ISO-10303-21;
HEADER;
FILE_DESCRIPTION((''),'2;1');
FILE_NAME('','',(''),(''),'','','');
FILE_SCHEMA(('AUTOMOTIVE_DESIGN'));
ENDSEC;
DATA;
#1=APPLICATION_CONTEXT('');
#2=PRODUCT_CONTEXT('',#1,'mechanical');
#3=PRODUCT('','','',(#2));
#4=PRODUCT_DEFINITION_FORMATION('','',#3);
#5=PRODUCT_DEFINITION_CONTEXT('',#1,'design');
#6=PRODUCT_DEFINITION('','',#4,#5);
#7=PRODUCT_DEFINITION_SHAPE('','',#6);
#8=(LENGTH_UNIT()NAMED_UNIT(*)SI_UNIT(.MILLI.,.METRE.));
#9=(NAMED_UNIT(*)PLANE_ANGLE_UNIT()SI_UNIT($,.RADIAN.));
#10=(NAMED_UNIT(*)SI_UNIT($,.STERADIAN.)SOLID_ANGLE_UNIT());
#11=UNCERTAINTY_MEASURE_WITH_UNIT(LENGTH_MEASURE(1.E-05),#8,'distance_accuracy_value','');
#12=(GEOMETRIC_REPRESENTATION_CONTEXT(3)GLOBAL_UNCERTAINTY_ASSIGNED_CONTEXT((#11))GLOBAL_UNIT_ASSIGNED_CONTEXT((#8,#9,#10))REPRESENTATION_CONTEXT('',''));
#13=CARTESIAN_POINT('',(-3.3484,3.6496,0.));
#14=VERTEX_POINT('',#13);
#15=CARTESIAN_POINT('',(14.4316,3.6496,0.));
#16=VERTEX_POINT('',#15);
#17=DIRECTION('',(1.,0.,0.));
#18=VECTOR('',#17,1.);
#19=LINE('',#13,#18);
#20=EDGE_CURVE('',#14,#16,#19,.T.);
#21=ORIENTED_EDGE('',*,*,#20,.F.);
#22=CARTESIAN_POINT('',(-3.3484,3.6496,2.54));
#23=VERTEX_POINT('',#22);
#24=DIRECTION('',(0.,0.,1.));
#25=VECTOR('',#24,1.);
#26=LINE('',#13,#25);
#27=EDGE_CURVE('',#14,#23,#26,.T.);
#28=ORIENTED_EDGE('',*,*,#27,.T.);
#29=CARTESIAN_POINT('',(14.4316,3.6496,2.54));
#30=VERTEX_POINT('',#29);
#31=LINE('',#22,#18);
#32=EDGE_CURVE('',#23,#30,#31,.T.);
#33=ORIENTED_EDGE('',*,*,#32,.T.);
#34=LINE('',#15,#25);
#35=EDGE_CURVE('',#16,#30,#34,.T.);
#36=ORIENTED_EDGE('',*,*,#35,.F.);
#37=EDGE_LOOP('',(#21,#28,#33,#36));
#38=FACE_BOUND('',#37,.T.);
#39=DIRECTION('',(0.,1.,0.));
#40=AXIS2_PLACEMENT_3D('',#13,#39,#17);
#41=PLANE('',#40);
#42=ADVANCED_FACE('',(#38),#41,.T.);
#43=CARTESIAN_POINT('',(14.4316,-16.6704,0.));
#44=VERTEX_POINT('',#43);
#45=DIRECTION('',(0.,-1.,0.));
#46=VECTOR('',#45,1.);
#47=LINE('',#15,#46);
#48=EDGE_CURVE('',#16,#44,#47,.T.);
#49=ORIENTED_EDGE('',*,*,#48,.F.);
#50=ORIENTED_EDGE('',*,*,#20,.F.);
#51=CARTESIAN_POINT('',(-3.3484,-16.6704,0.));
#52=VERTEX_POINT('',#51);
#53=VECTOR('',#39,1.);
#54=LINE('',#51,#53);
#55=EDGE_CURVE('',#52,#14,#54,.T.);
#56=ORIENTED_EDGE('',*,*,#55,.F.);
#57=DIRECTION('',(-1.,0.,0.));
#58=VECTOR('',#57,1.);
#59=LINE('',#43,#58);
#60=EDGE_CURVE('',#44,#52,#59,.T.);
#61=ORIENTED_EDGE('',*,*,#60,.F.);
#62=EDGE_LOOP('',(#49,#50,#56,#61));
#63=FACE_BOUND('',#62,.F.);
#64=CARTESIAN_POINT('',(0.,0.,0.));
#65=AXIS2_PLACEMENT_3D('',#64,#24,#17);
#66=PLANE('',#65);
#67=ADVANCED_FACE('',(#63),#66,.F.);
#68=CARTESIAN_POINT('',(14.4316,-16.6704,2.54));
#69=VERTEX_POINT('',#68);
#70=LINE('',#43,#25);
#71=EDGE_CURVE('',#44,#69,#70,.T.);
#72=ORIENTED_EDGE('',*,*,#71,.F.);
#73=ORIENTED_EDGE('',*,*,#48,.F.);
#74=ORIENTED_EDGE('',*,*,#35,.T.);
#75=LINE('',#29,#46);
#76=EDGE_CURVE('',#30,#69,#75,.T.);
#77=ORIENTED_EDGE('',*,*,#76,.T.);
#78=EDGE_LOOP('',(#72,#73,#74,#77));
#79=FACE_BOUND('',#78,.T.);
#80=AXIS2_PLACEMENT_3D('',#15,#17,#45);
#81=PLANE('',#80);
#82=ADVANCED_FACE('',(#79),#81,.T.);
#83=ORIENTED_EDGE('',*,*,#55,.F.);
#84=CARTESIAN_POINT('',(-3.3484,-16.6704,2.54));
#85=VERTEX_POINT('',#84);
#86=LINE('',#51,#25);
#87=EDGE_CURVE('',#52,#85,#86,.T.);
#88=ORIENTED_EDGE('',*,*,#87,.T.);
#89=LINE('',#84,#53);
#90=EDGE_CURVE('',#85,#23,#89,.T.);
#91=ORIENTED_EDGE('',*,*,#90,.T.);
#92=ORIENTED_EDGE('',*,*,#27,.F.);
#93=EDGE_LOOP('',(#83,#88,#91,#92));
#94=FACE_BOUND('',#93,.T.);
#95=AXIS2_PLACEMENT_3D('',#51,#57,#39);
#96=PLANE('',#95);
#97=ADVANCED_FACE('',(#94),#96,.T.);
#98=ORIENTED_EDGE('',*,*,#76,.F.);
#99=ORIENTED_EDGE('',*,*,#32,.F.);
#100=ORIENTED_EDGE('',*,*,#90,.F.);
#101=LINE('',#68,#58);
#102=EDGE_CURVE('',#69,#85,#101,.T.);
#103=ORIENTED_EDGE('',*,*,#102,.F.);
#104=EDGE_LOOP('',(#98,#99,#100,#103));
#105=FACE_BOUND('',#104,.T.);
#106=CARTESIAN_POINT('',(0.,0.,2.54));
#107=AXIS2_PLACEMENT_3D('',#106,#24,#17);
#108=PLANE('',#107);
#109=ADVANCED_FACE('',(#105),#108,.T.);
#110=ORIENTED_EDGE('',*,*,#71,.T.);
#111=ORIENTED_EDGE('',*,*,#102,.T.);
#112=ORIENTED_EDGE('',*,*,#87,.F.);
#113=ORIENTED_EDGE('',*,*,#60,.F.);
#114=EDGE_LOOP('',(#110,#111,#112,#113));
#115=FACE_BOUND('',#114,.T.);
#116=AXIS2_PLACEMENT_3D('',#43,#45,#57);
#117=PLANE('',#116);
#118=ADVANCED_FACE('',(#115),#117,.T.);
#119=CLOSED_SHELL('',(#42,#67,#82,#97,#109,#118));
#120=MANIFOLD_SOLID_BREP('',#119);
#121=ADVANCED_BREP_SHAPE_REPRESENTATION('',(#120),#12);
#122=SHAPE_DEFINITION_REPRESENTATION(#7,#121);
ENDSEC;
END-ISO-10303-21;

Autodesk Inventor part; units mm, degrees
ref_plane "YZ Plane" through (0, 0, 0) normal (1, 0, 0) x (0, 1, 0)
ref_plane "XZ Plane" through (0, 0, 0) normal (0, 1, 0) x (-1, 0, 0)
ref_plane "XY Plane" through (0, 0, 0) normal (0, 0, 1) x (1, 0, 0)
sketch "Sketch1" plane through (0, 0, 0) normal (0, 0, 1) x (1, 0, 0)
  line L0 (-3.3484, 3.6496) -> (14.4316, 3.6496)
  line L1 (14.4316, 3.6496) -> (14.4316, -16.6704)
  line L2 (14.4316, -16.6704) -> (-3.3484, -16.6704)
  line L3 (-3.3484, -16.6704) -> (-3.3484, 3.6496)
  point P0 (0, 0)
  dimension "d0" = 17.78
  dimension "d1" = 20.32
extrude "Extrusion1" add sketch "Sketch1" along normal blind 2.54
properties part number "ToF Sensor8"
